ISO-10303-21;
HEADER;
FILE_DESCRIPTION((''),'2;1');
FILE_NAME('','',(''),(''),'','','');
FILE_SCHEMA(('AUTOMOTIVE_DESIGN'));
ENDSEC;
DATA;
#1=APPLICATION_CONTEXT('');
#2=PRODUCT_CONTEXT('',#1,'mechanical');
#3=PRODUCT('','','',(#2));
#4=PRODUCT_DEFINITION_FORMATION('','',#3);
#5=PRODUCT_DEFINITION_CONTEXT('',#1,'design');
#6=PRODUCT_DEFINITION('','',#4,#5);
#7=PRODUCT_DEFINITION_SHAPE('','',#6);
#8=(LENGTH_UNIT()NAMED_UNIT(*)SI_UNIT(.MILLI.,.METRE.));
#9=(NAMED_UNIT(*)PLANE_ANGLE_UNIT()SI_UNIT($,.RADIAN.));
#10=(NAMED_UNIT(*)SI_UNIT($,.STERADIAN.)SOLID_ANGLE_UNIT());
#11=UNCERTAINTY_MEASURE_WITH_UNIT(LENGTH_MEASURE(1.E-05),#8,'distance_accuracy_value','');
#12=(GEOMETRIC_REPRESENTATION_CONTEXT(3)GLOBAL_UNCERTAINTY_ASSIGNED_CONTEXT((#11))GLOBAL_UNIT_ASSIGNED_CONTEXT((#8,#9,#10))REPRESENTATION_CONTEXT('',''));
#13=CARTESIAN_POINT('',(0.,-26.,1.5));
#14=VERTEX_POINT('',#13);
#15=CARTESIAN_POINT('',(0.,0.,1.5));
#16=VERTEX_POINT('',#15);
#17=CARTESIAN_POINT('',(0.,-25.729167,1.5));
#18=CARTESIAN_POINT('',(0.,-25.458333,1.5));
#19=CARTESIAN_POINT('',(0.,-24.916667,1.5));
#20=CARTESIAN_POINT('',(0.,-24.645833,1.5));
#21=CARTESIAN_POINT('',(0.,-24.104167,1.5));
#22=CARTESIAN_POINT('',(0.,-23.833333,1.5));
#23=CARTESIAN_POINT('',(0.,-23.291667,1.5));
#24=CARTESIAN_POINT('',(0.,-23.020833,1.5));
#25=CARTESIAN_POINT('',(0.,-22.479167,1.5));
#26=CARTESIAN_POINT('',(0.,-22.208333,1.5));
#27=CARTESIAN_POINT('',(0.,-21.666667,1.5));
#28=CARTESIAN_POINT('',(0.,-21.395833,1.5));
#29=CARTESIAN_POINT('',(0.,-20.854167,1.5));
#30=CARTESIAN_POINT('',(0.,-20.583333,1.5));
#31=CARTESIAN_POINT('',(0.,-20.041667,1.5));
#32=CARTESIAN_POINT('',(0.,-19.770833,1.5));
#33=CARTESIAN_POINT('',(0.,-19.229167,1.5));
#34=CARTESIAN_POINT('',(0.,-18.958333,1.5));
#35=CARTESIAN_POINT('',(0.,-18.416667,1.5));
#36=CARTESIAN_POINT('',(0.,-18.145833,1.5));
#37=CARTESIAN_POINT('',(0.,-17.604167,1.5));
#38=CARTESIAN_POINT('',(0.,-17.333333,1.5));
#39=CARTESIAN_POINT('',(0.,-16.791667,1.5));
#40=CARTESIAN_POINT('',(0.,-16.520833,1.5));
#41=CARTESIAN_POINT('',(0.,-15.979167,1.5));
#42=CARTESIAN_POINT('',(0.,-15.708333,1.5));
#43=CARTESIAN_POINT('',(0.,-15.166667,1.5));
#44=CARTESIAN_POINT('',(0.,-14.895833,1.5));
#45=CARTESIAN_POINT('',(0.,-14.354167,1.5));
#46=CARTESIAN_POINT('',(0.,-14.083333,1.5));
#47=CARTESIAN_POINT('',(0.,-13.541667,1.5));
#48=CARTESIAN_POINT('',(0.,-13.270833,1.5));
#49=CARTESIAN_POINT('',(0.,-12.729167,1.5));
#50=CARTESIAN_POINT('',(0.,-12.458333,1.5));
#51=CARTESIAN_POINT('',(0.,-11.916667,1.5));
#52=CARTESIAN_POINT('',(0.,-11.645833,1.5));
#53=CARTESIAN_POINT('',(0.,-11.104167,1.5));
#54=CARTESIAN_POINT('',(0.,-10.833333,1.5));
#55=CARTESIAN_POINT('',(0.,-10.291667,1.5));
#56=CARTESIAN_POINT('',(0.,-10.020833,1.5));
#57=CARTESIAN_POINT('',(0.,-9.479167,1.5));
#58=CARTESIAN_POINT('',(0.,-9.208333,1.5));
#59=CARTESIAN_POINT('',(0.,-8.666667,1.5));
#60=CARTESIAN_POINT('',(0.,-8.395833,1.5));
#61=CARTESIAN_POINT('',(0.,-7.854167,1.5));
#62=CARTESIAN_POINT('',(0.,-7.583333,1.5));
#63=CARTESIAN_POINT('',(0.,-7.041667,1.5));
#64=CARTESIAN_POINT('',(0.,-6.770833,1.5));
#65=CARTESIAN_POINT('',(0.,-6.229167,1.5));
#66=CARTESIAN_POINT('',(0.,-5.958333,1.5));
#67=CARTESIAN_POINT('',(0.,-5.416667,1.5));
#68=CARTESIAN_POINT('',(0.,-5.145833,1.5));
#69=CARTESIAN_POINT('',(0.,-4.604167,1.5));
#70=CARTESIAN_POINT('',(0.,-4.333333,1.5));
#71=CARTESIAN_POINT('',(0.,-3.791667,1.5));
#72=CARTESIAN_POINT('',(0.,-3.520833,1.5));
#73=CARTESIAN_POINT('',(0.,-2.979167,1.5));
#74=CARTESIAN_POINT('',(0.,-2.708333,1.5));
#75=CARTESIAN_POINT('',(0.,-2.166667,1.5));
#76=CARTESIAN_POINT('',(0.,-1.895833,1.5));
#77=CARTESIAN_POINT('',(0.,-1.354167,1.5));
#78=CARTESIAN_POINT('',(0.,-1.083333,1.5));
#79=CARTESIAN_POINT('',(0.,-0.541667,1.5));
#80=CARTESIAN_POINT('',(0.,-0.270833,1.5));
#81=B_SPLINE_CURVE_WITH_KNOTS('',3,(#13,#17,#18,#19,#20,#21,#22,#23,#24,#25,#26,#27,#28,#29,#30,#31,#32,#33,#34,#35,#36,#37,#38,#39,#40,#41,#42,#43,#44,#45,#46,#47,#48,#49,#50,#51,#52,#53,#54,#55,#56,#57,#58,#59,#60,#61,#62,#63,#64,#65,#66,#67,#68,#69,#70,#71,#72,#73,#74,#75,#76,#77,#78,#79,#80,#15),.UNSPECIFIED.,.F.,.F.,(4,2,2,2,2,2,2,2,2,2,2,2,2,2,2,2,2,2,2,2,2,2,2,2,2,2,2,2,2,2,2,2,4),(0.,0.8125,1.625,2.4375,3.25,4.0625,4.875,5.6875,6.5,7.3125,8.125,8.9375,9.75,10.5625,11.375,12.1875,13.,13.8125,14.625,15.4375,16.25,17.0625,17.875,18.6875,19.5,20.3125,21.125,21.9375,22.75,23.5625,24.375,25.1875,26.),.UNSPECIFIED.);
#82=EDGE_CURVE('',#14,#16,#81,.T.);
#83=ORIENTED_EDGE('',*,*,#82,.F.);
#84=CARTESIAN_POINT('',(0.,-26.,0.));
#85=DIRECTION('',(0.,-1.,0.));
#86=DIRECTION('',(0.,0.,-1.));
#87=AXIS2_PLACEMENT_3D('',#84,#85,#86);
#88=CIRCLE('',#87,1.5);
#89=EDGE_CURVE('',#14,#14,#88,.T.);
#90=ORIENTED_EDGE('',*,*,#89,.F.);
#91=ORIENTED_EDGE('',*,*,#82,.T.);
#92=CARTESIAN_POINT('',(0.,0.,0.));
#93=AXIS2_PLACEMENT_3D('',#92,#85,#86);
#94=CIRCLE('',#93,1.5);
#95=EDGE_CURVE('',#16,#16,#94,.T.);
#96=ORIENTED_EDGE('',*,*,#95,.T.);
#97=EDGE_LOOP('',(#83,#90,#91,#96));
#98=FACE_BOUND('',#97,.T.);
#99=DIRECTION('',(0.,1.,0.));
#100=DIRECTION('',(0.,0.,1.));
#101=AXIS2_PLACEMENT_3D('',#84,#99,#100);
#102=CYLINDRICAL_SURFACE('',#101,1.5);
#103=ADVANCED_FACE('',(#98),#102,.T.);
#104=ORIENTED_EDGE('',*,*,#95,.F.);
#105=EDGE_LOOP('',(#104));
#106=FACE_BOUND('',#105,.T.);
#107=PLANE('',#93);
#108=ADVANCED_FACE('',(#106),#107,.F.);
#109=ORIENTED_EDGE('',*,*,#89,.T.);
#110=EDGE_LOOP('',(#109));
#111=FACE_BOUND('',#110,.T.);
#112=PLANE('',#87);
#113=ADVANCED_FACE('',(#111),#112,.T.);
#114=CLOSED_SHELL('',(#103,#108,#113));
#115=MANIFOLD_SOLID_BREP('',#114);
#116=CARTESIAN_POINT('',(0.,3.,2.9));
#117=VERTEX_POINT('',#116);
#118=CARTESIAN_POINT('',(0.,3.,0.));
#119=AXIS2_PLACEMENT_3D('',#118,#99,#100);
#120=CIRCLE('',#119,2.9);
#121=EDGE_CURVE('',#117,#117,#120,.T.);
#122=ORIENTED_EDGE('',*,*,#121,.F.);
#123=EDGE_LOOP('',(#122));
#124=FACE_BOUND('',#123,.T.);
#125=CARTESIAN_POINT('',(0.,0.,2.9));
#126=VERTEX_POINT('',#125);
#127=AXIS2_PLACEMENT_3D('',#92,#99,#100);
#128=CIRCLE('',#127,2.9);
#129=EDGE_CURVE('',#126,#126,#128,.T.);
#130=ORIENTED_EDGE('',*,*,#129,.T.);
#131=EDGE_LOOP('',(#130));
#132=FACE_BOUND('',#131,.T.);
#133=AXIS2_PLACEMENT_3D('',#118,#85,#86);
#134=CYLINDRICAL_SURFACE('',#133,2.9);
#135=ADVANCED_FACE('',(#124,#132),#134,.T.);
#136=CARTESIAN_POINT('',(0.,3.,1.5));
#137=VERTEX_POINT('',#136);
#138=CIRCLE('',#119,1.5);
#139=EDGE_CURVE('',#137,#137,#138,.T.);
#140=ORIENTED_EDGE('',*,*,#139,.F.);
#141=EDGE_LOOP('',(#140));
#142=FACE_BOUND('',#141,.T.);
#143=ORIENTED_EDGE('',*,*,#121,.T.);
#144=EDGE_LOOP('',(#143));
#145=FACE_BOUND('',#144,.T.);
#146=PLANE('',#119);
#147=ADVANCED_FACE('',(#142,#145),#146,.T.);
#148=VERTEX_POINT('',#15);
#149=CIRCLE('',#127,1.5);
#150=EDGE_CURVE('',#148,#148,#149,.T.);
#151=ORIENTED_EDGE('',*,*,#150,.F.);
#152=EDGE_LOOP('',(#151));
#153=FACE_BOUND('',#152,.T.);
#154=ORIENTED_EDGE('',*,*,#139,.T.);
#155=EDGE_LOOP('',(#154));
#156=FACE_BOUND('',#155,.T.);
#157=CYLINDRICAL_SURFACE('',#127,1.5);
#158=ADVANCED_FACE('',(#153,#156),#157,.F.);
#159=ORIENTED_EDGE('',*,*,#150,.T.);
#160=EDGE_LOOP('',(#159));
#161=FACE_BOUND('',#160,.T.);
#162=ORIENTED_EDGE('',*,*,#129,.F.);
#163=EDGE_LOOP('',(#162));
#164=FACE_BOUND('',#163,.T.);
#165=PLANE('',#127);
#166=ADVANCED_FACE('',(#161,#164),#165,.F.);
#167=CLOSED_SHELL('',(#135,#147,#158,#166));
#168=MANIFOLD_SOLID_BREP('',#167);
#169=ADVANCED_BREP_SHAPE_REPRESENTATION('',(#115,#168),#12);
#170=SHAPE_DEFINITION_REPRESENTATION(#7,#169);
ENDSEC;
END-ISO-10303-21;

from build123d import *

# Parameters (mm, degrees)
SKETCH_1_R          = 2.9
EXTRUDE_1_DEPTH     = 3
SKETCH_2_R          = 1.5
CUT_EXTRUDE_1_DEPTH = 3
SKETCH_5_R          = 1.5
EXTRUDE_2_DEPTH     = 26


with BuildPart() as part:
    # 草图1 → 凸台-拉伸1 (new body)
    with BuildSketch(Plane(origin=(0, 0, 0), x_dir=(1, 0, 0), z_dir=(0, 1, 0))):
        with Locations(Location((0, 0, 0), (0, 0, 270))):
            Circle(SKETCH_1_R)
    extrude(amount=EXTRUDE_1_DEPTH)

    # 草图2 → 切除-拉伸1 (cut)
    with BuildSketch(Plane(origin=(0, 3, 0), x_dir=(1, 0, 0), z_dir=(0, 1, 0))):
        with Locations(Location((0, 0, 0), (0, 0, 270))):
            Circle(SKETCH_2_R)
    extrude(amount=-CUT_EXTRUDE_1_DEPTH, mode=Mode.SUBTRACT)


with BuildPart() as body_2:
    # 草图5 → 凸台-拉伸2 (new body)
    with BuildSketch(Plane.XZ):
        with Locations(Location((0, 0, 0), (0, 0, 90))):
            Circle(SKETCH_5_R)
    extrude(amount=EXTRUDE_2_DEPTH)


solid = Compound([part.part, body_2.part])
